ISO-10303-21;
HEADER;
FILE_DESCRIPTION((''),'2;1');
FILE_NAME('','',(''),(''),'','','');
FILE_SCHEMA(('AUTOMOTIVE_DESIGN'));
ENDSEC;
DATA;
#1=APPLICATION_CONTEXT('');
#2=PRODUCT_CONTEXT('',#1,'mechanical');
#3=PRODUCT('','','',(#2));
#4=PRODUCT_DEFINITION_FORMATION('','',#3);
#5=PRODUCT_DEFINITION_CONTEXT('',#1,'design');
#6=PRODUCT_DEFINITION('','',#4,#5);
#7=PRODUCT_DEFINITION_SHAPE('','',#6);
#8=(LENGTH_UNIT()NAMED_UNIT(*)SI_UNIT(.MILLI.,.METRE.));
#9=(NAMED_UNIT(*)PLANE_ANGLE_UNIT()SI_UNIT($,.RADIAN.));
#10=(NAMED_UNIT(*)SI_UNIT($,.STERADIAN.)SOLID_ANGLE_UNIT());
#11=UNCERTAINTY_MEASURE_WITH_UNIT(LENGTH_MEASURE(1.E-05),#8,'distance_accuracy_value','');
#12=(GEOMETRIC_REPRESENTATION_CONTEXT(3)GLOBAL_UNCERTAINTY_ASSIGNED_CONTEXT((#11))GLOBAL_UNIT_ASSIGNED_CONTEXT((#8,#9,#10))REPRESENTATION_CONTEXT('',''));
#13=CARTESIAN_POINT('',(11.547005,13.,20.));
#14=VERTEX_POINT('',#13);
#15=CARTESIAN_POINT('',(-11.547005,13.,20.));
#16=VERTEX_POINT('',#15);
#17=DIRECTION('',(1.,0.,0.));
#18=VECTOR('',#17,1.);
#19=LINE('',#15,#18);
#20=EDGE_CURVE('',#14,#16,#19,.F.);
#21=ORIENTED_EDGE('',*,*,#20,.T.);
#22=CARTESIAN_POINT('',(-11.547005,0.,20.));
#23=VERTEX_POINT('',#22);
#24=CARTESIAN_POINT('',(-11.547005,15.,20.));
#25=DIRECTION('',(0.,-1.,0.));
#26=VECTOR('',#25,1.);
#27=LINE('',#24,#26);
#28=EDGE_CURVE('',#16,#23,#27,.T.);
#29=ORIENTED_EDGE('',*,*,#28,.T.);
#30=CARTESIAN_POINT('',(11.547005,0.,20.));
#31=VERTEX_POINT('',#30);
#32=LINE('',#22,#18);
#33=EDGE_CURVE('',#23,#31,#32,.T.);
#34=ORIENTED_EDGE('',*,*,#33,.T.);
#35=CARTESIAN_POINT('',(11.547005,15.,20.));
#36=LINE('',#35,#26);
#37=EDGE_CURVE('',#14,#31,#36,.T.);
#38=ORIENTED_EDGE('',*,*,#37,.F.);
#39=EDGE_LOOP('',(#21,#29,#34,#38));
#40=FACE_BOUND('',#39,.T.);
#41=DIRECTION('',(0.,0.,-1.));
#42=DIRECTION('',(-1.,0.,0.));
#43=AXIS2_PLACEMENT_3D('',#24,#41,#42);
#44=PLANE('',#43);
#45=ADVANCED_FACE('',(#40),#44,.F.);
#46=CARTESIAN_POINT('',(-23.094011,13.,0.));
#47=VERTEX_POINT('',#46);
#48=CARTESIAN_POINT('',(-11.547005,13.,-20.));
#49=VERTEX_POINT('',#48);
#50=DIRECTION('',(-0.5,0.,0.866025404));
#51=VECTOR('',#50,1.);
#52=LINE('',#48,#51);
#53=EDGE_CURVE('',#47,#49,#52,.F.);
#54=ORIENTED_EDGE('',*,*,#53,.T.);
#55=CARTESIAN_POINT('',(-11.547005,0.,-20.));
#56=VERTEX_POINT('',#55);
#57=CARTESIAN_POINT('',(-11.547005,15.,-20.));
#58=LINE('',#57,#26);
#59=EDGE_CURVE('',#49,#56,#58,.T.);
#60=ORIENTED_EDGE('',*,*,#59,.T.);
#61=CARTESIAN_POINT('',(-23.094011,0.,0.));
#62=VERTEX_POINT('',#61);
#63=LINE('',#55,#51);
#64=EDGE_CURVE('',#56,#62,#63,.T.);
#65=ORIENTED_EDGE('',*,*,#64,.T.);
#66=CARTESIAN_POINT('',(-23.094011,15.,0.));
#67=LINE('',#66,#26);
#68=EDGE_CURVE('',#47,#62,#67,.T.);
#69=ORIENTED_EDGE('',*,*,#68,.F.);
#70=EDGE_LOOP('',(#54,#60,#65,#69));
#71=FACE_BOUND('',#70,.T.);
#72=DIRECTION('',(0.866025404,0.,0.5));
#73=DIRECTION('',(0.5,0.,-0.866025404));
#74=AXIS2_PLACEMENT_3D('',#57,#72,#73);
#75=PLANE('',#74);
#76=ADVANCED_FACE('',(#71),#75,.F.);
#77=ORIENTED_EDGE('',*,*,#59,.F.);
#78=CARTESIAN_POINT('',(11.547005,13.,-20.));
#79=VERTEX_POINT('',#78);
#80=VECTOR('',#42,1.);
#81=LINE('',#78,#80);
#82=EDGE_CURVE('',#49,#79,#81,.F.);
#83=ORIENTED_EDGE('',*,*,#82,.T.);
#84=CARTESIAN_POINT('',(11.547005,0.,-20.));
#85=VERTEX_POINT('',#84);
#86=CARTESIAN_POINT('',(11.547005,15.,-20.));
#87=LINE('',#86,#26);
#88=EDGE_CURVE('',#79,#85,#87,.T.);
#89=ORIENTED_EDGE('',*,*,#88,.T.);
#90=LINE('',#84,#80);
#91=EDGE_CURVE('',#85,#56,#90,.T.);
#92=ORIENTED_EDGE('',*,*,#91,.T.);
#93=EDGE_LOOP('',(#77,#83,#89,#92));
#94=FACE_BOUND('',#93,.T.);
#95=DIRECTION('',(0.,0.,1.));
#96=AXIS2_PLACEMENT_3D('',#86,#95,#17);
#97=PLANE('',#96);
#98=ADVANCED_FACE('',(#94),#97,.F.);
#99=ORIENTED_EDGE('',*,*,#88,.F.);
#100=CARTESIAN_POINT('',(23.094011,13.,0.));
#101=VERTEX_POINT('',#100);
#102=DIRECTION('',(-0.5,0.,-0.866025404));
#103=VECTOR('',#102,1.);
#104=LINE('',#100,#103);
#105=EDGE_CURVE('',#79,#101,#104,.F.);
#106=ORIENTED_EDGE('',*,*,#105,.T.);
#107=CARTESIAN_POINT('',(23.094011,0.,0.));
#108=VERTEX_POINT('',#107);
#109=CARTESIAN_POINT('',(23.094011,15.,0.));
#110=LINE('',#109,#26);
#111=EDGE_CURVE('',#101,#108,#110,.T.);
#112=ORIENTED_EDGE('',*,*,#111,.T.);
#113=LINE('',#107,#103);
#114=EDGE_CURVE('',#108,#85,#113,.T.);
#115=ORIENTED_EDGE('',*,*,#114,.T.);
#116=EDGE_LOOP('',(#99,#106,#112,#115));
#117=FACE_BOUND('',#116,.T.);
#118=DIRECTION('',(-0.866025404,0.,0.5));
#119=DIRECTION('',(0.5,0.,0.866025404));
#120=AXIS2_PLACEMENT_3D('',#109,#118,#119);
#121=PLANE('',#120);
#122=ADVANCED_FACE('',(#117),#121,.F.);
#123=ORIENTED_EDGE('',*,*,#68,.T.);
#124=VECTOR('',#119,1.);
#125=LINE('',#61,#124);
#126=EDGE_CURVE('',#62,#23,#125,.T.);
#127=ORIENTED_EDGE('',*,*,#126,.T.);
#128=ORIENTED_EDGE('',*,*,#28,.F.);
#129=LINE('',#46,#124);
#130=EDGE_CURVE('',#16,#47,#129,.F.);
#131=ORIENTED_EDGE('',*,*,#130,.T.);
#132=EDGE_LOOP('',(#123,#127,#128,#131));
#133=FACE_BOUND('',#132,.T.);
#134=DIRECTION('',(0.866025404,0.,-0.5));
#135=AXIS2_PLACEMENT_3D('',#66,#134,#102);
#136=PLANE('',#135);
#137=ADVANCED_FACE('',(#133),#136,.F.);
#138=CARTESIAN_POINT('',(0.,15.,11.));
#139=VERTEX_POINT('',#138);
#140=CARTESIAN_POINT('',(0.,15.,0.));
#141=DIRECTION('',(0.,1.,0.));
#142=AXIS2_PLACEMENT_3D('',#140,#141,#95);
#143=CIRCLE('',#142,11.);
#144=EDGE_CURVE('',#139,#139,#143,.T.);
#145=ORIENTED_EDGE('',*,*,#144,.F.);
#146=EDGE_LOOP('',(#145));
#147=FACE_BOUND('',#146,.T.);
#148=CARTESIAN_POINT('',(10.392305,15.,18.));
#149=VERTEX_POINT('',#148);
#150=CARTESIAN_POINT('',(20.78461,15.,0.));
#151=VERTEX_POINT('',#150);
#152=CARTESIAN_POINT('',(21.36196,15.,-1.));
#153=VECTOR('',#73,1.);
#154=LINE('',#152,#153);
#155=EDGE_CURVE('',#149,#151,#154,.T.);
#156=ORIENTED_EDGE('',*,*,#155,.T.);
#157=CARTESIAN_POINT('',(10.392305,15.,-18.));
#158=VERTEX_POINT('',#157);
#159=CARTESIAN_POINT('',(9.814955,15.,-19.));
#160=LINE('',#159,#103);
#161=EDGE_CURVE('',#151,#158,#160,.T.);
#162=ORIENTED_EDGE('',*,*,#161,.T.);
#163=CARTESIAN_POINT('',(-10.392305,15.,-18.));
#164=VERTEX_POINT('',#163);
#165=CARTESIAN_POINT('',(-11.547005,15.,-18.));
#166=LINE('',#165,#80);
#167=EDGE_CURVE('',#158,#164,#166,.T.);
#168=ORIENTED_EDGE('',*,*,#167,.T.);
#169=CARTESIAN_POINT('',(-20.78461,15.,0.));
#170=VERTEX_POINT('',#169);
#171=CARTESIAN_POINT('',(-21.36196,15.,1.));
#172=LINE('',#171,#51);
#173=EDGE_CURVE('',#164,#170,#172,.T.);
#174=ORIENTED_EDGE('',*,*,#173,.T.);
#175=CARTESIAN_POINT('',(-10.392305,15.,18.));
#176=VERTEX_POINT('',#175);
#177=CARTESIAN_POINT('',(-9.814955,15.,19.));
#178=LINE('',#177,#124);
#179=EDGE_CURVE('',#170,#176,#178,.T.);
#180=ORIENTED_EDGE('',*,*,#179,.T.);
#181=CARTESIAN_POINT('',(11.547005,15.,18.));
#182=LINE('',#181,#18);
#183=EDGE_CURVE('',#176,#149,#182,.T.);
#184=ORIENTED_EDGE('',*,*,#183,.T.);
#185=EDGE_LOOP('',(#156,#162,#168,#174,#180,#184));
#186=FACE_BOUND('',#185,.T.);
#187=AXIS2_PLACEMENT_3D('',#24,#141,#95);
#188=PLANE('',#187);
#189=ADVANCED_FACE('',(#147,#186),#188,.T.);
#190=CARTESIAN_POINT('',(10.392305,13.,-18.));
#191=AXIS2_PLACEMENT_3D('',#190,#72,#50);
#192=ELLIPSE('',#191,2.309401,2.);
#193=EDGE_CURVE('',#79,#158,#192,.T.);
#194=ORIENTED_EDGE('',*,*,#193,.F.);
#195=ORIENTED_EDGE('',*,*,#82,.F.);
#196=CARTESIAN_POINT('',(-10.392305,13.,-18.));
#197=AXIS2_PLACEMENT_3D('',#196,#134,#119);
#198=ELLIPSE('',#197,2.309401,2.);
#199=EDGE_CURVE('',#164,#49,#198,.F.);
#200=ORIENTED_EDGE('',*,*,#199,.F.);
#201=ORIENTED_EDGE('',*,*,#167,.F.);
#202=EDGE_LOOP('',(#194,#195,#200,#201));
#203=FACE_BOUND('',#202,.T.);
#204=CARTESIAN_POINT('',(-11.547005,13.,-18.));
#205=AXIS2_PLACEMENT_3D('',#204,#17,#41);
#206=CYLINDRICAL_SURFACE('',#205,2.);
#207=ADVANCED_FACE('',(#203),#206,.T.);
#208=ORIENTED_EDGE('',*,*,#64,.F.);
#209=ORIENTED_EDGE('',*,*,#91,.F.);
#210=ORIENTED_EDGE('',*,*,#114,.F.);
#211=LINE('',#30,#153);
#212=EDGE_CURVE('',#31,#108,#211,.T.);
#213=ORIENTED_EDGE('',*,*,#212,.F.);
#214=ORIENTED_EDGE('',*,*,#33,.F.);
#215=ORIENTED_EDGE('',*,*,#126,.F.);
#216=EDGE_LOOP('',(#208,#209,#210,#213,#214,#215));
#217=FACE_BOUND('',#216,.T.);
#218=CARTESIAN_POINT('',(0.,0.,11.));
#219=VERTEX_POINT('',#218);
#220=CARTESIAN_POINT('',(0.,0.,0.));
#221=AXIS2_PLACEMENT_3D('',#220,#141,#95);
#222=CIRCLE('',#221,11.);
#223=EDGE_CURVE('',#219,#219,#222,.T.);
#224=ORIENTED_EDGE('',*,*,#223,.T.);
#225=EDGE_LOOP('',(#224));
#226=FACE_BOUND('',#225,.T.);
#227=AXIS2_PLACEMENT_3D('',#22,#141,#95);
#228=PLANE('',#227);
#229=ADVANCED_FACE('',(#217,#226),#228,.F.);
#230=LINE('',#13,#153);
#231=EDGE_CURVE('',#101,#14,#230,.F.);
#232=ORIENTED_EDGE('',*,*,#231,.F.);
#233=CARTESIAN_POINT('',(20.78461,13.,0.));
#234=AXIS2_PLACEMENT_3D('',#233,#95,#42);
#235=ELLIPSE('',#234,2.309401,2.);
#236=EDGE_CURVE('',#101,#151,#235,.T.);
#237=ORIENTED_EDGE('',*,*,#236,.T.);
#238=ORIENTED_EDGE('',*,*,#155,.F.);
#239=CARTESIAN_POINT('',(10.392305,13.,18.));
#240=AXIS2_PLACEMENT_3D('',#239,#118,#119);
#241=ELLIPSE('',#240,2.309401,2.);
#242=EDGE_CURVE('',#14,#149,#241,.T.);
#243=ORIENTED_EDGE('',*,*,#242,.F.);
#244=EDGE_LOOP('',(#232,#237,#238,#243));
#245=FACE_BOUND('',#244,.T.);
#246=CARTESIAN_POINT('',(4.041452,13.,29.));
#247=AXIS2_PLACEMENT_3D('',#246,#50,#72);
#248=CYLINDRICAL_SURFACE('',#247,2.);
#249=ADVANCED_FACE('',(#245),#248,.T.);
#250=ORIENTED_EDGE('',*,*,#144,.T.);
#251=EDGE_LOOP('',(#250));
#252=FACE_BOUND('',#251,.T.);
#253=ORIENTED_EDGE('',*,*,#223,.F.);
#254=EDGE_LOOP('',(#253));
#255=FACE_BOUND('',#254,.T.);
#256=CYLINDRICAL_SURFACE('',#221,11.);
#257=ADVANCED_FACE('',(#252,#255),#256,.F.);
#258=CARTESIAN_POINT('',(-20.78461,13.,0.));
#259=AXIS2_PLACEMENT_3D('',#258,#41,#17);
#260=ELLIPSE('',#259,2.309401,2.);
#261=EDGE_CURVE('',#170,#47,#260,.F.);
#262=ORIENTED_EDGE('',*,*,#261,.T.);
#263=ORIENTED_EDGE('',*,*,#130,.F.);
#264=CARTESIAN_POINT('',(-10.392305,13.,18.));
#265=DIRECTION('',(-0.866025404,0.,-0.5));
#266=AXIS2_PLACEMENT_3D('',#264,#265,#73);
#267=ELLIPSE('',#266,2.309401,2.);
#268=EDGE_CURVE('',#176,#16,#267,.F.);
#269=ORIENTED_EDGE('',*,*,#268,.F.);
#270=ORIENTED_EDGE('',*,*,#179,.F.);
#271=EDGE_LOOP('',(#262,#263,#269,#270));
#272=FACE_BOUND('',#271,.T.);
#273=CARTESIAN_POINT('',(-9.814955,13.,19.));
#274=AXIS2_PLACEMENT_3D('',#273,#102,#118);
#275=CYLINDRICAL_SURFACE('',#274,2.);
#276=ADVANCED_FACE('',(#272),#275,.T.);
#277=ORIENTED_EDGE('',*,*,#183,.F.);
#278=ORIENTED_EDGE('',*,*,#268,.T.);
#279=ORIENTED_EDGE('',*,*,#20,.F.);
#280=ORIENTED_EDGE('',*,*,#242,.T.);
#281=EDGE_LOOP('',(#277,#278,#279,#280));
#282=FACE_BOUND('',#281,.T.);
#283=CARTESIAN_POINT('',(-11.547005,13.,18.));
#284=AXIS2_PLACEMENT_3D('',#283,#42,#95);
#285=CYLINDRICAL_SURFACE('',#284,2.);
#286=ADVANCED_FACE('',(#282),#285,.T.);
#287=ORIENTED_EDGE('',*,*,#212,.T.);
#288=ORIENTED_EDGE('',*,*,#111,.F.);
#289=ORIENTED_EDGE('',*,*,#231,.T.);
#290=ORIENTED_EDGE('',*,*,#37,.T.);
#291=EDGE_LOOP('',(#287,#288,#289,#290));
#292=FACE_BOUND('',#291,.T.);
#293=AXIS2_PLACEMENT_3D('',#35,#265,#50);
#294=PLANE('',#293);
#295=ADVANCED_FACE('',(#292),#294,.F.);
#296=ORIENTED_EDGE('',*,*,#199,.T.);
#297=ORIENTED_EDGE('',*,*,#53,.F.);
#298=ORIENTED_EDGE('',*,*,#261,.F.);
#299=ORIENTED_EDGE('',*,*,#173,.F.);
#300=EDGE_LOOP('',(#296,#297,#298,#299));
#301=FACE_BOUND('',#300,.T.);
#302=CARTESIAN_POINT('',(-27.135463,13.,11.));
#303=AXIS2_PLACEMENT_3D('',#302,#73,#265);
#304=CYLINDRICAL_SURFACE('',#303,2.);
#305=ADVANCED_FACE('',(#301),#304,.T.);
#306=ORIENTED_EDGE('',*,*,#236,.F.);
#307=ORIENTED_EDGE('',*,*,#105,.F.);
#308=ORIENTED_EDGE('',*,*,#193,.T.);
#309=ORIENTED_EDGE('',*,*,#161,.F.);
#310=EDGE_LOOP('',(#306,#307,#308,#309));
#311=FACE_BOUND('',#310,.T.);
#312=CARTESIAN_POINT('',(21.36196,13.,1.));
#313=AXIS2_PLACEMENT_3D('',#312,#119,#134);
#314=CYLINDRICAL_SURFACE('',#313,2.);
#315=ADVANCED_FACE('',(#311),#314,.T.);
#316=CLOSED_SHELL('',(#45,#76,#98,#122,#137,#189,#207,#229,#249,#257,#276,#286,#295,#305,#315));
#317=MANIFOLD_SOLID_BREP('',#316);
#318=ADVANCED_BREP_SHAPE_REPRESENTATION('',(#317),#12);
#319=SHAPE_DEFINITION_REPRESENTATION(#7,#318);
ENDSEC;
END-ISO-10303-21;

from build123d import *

# Parameters (mm, degrees)
EXTRUDE_1_DEPTH     = 15
SKETCH_2_R          = 11
CUT_EXTRUDE_1_DEPTH = 35.034296428
FILLET_1_R          = 2


with BuildPart() as part:
    # 草图1 → 凸台-拉伸1 (new body)
    with BuildSketch(Plane(origin=(0, 0, 0), x_dir=(1, 0, 0), z_dir=(0, 1, 0))):
        Polygon((-11.547005384, -20), (11.547005384, -20), (23.094010768, 0), (11.547005384, 20), (-11.547005384, 20), (-23.094010768, 0), align=None)
    extrude(amount=EXTRUDE_1_DEPTH)

    # 草图2 → 切除-拉伸1 (cut, through all)
    with BuildSketch(Plane(origin=(0, 15, 0), x_dir=(1, 0, 0), z_dir=(0, 1, 0))):
        with Locations(Location((0, 0, 0), (0, 0, 270))):
            Circle(SKETCH_2_R)
    extrude(amount=-CUT_EXTRUDE_1_DEPTH, mode=Mode.SUBTRACT)

    # 圆角1
    fillet_1_edges = [part.edges().sort_by_distance(p)[0] for p in [
        (17.320508076, 15, 10),
        (17.320508076, 15, -10),
        (0, 15, -20),
        (-17.320508076, 15, -10),
        (-17.320508076, 15, 10),
        (0, 15, 20),
    ]]
    fillet(fillet_1_edges, radius=FILLET_1_R)


solid = part.part
